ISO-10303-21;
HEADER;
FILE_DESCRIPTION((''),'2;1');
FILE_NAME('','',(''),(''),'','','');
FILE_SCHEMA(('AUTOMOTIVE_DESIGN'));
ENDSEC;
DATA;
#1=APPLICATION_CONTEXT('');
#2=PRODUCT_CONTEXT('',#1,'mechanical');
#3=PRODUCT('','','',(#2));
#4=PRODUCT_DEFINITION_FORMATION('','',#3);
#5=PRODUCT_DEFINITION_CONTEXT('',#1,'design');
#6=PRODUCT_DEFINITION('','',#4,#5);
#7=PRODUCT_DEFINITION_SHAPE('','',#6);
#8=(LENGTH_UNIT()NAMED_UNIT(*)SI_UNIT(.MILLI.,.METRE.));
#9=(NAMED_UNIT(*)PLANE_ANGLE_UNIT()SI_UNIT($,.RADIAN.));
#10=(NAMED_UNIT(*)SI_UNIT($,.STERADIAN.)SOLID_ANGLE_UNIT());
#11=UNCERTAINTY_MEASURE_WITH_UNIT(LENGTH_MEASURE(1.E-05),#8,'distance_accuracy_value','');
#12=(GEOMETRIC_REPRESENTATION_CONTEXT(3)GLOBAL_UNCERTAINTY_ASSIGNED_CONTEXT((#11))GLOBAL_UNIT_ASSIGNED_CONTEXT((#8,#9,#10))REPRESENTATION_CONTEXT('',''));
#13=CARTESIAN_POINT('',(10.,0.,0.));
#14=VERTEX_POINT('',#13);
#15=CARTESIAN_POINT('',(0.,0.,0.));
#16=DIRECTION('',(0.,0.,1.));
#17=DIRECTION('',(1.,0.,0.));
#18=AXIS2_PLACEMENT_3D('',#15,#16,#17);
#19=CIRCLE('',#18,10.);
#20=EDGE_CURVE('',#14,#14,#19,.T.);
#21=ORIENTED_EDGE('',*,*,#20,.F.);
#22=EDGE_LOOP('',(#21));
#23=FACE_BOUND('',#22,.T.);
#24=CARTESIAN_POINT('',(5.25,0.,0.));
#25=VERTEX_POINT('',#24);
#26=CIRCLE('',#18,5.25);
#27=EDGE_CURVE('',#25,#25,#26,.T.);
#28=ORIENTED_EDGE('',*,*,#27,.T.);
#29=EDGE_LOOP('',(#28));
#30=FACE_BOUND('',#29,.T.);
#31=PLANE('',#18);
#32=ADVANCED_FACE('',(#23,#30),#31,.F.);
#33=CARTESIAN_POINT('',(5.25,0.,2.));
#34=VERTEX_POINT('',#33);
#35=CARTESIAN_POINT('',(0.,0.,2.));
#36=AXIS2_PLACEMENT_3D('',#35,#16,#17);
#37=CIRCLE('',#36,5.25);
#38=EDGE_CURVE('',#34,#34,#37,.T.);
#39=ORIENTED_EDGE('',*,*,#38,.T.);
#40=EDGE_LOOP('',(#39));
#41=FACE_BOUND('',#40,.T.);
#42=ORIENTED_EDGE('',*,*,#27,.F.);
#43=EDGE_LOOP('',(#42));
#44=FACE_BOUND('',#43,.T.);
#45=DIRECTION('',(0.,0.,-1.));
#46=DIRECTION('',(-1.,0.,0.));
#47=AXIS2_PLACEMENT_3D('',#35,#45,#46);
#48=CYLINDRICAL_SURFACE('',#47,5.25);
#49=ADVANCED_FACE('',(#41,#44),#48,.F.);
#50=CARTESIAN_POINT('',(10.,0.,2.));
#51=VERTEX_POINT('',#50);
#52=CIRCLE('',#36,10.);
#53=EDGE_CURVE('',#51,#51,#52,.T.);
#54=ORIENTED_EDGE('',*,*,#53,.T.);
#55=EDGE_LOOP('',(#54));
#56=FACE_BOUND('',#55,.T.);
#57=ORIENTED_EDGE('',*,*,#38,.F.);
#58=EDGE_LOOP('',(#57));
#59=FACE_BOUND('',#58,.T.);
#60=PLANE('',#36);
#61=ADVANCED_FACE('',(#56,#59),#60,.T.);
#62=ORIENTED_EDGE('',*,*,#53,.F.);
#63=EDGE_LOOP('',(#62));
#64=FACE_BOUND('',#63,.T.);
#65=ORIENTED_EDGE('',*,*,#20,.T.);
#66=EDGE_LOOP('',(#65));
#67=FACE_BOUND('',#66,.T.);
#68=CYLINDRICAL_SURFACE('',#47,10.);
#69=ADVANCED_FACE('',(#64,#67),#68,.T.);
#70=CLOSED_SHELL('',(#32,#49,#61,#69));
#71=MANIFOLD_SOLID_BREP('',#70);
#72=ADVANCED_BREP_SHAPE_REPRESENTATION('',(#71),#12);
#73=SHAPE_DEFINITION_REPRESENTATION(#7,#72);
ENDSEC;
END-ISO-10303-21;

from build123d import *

# Parameters (mm, degrees)
SKETCH1_R          = 10
SKETCH1_R_2        = 5.25
BASE_EXTRUDE_DEPTH = 2


with BuildPart() as part:
    # Sketch1 → Base-Extrude (new body)
    with BuildSketch(Plane.XY):
        Circle(SKETCH1_R)
        Circle(SKETCH1_R_2, mode=Mode.SUBTRACT)
    extrude(amount=BASE_EXTRUDE_DEPTH)


solid = part.part
